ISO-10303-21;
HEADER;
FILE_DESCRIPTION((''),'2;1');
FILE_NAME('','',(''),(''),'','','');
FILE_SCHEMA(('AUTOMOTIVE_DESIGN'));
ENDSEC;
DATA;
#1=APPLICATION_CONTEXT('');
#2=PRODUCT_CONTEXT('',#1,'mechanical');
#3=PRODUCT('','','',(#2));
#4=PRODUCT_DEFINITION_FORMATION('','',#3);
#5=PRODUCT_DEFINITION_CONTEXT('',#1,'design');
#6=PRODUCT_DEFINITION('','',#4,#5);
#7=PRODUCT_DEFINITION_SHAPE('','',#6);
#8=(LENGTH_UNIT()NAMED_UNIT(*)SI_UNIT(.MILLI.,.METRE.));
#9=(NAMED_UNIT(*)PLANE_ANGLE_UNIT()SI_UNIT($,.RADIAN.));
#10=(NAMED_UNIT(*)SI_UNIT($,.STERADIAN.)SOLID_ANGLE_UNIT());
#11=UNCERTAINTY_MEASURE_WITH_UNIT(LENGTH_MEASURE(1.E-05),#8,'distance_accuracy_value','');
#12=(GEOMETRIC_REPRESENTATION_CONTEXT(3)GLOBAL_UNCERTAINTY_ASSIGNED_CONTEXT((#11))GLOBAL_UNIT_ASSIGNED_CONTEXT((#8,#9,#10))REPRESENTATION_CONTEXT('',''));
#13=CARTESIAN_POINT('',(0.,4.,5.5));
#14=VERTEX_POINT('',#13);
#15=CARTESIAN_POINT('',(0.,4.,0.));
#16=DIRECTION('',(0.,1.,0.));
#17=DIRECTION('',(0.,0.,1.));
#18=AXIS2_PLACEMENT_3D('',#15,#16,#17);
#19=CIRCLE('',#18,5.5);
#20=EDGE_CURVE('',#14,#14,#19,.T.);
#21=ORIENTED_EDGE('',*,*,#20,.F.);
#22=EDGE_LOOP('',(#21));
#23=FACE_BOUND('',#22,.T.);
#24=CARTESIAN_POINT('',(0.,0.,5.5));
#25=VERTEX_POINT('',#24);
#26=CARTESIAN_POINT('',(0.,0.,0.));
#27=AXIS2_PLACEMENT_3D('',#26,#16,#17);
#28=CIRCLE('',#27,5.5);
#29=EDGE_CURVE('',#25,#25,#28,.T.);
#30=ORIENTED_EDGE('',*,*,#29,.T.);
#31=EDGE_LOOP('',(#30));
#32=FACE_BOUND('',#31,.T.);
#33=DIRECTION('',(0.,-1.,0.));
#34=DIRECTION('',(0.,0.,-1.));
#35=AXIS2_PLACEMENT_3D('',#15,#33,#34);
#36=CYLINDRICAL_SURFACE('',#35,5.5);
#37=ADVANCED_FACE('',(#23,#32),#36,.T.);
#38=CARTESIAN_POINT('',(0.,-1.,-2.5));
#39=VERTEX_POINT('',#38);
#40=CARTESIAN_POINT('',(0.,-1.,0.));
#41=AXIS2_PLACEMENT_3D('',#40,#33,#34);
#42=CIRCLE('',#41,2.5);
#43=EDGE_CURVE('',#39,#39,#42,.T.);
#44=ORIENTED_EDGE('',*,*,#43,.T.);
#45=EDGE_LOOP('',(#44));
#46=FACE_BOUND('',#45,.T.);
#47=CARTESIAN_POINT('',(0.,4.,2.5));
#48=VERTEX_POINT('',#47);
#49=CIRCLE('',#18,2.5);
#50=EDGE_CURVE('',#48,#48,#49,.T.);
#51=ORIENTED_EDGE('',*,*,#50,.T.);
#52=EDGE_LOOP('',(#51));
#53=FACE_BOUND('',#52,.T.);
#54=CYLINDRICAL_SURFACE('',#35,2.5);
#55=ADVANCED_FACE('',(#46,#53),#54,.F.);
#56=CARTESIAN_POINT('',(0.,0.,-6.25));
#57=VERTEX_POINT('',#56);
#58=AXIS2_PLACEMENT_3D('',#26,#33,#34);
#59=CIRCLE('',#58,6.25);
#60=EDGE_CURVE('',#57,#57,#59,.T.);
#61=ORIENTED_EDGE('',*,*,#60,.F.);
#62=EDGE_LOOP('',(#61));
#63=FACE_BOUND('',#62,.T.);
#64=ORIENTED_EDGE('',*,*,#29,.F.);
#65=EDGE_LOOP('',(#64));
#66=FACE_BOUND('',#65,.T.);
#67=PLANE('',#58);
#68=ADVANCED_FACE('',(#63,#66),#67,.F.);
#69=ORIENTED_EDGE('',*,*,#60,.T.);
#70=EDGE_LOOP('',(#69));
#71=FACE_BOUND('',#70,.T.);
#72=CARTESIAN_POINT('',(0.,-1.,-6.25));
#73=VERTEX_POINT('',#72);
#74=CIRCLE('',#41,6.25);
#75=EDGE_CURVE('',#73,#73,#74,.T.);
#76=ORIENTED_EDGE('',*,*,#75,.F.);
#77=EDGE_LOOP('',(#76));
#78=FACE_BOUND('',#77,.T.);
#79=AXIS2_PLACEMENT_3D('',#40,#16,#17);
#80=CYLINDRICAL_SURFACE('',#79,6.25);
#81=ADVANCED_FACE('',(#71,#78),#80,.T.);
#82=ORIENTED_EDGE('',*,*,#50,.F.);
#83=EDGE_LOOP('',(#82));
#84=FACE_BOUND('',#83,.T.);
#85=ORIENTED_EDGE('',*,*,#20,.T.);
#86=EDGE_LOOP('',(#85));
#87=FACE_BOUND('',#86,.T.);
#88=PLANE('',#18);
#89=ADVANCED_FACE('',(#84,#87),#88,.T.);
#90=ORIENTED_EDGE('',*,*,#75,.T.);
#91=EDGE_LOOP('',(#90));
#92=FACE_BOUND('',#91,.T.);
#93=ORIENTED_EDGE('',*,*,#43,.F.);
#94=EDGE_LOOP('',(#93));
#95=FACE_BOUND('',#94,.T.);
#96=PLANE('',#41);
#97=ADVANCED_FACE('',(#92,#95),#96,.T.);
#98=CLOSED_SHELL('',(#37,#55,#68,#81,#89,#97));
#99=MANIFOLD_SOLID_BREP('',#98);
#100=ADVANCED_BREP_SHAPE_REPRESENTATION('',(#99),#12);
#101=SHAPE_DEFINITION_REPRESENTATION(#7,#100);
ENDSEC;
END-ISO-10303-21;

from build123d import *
from build123d.topology import SkipClean

# Parameters (mm, degrees)
SKETCH1_R           = 5.5
SKETCH1_R_2         = 2.5
BOSS_EXTRUDE1_DEPTH = 4
BOSS_EXTRUDE2_START = 1
SKETCH2_R           = 6.25
SKETCH2_R_2         = 2.5
BOSS_EXTRUDE2_DEPTH = 1


with BuildPart() as part:
    # Sketch1 → Boss-Extrude1 (new body)
    with BuildSketch(Plane(origin=(0, 0, 0), x_dir=(1, 0, 0), z_dir=(0, 1, 0))):
        with Locations(Location((0, 0, 0), (0, 0, 270))):
            Circle(SKETCH1_R)
        with Locations(Location((0, 0, 0), (0, 0, 270))):
            Circle(SKETCH1_R_2, mode=Mode.SUBTRACT)
    extrude(amount=BOSS_EXTRUDE1_DEPTH)

    # Sketch2 → Boss-Extrude2 (add)
    with SkipClean():  # the faces are left unmerged after this step: merging them gives an invalid solid
        with BuildSketch(Plane.XZ.offset(BOSS_EXTRUDE2_START)):
            with Locations(Location((0, 0, 0), (0, 0, 270))):
                Circle(SKETCH2_R)
            with Locations(Location((0, 0, 0), (0, 0, 270))):
                Circle(SKETCH2_R_2, mode=Mode.SUBTRACT)
        extrude(amount=-BOSS_EXTRUDE2_DEPTH)


solid = part.part
